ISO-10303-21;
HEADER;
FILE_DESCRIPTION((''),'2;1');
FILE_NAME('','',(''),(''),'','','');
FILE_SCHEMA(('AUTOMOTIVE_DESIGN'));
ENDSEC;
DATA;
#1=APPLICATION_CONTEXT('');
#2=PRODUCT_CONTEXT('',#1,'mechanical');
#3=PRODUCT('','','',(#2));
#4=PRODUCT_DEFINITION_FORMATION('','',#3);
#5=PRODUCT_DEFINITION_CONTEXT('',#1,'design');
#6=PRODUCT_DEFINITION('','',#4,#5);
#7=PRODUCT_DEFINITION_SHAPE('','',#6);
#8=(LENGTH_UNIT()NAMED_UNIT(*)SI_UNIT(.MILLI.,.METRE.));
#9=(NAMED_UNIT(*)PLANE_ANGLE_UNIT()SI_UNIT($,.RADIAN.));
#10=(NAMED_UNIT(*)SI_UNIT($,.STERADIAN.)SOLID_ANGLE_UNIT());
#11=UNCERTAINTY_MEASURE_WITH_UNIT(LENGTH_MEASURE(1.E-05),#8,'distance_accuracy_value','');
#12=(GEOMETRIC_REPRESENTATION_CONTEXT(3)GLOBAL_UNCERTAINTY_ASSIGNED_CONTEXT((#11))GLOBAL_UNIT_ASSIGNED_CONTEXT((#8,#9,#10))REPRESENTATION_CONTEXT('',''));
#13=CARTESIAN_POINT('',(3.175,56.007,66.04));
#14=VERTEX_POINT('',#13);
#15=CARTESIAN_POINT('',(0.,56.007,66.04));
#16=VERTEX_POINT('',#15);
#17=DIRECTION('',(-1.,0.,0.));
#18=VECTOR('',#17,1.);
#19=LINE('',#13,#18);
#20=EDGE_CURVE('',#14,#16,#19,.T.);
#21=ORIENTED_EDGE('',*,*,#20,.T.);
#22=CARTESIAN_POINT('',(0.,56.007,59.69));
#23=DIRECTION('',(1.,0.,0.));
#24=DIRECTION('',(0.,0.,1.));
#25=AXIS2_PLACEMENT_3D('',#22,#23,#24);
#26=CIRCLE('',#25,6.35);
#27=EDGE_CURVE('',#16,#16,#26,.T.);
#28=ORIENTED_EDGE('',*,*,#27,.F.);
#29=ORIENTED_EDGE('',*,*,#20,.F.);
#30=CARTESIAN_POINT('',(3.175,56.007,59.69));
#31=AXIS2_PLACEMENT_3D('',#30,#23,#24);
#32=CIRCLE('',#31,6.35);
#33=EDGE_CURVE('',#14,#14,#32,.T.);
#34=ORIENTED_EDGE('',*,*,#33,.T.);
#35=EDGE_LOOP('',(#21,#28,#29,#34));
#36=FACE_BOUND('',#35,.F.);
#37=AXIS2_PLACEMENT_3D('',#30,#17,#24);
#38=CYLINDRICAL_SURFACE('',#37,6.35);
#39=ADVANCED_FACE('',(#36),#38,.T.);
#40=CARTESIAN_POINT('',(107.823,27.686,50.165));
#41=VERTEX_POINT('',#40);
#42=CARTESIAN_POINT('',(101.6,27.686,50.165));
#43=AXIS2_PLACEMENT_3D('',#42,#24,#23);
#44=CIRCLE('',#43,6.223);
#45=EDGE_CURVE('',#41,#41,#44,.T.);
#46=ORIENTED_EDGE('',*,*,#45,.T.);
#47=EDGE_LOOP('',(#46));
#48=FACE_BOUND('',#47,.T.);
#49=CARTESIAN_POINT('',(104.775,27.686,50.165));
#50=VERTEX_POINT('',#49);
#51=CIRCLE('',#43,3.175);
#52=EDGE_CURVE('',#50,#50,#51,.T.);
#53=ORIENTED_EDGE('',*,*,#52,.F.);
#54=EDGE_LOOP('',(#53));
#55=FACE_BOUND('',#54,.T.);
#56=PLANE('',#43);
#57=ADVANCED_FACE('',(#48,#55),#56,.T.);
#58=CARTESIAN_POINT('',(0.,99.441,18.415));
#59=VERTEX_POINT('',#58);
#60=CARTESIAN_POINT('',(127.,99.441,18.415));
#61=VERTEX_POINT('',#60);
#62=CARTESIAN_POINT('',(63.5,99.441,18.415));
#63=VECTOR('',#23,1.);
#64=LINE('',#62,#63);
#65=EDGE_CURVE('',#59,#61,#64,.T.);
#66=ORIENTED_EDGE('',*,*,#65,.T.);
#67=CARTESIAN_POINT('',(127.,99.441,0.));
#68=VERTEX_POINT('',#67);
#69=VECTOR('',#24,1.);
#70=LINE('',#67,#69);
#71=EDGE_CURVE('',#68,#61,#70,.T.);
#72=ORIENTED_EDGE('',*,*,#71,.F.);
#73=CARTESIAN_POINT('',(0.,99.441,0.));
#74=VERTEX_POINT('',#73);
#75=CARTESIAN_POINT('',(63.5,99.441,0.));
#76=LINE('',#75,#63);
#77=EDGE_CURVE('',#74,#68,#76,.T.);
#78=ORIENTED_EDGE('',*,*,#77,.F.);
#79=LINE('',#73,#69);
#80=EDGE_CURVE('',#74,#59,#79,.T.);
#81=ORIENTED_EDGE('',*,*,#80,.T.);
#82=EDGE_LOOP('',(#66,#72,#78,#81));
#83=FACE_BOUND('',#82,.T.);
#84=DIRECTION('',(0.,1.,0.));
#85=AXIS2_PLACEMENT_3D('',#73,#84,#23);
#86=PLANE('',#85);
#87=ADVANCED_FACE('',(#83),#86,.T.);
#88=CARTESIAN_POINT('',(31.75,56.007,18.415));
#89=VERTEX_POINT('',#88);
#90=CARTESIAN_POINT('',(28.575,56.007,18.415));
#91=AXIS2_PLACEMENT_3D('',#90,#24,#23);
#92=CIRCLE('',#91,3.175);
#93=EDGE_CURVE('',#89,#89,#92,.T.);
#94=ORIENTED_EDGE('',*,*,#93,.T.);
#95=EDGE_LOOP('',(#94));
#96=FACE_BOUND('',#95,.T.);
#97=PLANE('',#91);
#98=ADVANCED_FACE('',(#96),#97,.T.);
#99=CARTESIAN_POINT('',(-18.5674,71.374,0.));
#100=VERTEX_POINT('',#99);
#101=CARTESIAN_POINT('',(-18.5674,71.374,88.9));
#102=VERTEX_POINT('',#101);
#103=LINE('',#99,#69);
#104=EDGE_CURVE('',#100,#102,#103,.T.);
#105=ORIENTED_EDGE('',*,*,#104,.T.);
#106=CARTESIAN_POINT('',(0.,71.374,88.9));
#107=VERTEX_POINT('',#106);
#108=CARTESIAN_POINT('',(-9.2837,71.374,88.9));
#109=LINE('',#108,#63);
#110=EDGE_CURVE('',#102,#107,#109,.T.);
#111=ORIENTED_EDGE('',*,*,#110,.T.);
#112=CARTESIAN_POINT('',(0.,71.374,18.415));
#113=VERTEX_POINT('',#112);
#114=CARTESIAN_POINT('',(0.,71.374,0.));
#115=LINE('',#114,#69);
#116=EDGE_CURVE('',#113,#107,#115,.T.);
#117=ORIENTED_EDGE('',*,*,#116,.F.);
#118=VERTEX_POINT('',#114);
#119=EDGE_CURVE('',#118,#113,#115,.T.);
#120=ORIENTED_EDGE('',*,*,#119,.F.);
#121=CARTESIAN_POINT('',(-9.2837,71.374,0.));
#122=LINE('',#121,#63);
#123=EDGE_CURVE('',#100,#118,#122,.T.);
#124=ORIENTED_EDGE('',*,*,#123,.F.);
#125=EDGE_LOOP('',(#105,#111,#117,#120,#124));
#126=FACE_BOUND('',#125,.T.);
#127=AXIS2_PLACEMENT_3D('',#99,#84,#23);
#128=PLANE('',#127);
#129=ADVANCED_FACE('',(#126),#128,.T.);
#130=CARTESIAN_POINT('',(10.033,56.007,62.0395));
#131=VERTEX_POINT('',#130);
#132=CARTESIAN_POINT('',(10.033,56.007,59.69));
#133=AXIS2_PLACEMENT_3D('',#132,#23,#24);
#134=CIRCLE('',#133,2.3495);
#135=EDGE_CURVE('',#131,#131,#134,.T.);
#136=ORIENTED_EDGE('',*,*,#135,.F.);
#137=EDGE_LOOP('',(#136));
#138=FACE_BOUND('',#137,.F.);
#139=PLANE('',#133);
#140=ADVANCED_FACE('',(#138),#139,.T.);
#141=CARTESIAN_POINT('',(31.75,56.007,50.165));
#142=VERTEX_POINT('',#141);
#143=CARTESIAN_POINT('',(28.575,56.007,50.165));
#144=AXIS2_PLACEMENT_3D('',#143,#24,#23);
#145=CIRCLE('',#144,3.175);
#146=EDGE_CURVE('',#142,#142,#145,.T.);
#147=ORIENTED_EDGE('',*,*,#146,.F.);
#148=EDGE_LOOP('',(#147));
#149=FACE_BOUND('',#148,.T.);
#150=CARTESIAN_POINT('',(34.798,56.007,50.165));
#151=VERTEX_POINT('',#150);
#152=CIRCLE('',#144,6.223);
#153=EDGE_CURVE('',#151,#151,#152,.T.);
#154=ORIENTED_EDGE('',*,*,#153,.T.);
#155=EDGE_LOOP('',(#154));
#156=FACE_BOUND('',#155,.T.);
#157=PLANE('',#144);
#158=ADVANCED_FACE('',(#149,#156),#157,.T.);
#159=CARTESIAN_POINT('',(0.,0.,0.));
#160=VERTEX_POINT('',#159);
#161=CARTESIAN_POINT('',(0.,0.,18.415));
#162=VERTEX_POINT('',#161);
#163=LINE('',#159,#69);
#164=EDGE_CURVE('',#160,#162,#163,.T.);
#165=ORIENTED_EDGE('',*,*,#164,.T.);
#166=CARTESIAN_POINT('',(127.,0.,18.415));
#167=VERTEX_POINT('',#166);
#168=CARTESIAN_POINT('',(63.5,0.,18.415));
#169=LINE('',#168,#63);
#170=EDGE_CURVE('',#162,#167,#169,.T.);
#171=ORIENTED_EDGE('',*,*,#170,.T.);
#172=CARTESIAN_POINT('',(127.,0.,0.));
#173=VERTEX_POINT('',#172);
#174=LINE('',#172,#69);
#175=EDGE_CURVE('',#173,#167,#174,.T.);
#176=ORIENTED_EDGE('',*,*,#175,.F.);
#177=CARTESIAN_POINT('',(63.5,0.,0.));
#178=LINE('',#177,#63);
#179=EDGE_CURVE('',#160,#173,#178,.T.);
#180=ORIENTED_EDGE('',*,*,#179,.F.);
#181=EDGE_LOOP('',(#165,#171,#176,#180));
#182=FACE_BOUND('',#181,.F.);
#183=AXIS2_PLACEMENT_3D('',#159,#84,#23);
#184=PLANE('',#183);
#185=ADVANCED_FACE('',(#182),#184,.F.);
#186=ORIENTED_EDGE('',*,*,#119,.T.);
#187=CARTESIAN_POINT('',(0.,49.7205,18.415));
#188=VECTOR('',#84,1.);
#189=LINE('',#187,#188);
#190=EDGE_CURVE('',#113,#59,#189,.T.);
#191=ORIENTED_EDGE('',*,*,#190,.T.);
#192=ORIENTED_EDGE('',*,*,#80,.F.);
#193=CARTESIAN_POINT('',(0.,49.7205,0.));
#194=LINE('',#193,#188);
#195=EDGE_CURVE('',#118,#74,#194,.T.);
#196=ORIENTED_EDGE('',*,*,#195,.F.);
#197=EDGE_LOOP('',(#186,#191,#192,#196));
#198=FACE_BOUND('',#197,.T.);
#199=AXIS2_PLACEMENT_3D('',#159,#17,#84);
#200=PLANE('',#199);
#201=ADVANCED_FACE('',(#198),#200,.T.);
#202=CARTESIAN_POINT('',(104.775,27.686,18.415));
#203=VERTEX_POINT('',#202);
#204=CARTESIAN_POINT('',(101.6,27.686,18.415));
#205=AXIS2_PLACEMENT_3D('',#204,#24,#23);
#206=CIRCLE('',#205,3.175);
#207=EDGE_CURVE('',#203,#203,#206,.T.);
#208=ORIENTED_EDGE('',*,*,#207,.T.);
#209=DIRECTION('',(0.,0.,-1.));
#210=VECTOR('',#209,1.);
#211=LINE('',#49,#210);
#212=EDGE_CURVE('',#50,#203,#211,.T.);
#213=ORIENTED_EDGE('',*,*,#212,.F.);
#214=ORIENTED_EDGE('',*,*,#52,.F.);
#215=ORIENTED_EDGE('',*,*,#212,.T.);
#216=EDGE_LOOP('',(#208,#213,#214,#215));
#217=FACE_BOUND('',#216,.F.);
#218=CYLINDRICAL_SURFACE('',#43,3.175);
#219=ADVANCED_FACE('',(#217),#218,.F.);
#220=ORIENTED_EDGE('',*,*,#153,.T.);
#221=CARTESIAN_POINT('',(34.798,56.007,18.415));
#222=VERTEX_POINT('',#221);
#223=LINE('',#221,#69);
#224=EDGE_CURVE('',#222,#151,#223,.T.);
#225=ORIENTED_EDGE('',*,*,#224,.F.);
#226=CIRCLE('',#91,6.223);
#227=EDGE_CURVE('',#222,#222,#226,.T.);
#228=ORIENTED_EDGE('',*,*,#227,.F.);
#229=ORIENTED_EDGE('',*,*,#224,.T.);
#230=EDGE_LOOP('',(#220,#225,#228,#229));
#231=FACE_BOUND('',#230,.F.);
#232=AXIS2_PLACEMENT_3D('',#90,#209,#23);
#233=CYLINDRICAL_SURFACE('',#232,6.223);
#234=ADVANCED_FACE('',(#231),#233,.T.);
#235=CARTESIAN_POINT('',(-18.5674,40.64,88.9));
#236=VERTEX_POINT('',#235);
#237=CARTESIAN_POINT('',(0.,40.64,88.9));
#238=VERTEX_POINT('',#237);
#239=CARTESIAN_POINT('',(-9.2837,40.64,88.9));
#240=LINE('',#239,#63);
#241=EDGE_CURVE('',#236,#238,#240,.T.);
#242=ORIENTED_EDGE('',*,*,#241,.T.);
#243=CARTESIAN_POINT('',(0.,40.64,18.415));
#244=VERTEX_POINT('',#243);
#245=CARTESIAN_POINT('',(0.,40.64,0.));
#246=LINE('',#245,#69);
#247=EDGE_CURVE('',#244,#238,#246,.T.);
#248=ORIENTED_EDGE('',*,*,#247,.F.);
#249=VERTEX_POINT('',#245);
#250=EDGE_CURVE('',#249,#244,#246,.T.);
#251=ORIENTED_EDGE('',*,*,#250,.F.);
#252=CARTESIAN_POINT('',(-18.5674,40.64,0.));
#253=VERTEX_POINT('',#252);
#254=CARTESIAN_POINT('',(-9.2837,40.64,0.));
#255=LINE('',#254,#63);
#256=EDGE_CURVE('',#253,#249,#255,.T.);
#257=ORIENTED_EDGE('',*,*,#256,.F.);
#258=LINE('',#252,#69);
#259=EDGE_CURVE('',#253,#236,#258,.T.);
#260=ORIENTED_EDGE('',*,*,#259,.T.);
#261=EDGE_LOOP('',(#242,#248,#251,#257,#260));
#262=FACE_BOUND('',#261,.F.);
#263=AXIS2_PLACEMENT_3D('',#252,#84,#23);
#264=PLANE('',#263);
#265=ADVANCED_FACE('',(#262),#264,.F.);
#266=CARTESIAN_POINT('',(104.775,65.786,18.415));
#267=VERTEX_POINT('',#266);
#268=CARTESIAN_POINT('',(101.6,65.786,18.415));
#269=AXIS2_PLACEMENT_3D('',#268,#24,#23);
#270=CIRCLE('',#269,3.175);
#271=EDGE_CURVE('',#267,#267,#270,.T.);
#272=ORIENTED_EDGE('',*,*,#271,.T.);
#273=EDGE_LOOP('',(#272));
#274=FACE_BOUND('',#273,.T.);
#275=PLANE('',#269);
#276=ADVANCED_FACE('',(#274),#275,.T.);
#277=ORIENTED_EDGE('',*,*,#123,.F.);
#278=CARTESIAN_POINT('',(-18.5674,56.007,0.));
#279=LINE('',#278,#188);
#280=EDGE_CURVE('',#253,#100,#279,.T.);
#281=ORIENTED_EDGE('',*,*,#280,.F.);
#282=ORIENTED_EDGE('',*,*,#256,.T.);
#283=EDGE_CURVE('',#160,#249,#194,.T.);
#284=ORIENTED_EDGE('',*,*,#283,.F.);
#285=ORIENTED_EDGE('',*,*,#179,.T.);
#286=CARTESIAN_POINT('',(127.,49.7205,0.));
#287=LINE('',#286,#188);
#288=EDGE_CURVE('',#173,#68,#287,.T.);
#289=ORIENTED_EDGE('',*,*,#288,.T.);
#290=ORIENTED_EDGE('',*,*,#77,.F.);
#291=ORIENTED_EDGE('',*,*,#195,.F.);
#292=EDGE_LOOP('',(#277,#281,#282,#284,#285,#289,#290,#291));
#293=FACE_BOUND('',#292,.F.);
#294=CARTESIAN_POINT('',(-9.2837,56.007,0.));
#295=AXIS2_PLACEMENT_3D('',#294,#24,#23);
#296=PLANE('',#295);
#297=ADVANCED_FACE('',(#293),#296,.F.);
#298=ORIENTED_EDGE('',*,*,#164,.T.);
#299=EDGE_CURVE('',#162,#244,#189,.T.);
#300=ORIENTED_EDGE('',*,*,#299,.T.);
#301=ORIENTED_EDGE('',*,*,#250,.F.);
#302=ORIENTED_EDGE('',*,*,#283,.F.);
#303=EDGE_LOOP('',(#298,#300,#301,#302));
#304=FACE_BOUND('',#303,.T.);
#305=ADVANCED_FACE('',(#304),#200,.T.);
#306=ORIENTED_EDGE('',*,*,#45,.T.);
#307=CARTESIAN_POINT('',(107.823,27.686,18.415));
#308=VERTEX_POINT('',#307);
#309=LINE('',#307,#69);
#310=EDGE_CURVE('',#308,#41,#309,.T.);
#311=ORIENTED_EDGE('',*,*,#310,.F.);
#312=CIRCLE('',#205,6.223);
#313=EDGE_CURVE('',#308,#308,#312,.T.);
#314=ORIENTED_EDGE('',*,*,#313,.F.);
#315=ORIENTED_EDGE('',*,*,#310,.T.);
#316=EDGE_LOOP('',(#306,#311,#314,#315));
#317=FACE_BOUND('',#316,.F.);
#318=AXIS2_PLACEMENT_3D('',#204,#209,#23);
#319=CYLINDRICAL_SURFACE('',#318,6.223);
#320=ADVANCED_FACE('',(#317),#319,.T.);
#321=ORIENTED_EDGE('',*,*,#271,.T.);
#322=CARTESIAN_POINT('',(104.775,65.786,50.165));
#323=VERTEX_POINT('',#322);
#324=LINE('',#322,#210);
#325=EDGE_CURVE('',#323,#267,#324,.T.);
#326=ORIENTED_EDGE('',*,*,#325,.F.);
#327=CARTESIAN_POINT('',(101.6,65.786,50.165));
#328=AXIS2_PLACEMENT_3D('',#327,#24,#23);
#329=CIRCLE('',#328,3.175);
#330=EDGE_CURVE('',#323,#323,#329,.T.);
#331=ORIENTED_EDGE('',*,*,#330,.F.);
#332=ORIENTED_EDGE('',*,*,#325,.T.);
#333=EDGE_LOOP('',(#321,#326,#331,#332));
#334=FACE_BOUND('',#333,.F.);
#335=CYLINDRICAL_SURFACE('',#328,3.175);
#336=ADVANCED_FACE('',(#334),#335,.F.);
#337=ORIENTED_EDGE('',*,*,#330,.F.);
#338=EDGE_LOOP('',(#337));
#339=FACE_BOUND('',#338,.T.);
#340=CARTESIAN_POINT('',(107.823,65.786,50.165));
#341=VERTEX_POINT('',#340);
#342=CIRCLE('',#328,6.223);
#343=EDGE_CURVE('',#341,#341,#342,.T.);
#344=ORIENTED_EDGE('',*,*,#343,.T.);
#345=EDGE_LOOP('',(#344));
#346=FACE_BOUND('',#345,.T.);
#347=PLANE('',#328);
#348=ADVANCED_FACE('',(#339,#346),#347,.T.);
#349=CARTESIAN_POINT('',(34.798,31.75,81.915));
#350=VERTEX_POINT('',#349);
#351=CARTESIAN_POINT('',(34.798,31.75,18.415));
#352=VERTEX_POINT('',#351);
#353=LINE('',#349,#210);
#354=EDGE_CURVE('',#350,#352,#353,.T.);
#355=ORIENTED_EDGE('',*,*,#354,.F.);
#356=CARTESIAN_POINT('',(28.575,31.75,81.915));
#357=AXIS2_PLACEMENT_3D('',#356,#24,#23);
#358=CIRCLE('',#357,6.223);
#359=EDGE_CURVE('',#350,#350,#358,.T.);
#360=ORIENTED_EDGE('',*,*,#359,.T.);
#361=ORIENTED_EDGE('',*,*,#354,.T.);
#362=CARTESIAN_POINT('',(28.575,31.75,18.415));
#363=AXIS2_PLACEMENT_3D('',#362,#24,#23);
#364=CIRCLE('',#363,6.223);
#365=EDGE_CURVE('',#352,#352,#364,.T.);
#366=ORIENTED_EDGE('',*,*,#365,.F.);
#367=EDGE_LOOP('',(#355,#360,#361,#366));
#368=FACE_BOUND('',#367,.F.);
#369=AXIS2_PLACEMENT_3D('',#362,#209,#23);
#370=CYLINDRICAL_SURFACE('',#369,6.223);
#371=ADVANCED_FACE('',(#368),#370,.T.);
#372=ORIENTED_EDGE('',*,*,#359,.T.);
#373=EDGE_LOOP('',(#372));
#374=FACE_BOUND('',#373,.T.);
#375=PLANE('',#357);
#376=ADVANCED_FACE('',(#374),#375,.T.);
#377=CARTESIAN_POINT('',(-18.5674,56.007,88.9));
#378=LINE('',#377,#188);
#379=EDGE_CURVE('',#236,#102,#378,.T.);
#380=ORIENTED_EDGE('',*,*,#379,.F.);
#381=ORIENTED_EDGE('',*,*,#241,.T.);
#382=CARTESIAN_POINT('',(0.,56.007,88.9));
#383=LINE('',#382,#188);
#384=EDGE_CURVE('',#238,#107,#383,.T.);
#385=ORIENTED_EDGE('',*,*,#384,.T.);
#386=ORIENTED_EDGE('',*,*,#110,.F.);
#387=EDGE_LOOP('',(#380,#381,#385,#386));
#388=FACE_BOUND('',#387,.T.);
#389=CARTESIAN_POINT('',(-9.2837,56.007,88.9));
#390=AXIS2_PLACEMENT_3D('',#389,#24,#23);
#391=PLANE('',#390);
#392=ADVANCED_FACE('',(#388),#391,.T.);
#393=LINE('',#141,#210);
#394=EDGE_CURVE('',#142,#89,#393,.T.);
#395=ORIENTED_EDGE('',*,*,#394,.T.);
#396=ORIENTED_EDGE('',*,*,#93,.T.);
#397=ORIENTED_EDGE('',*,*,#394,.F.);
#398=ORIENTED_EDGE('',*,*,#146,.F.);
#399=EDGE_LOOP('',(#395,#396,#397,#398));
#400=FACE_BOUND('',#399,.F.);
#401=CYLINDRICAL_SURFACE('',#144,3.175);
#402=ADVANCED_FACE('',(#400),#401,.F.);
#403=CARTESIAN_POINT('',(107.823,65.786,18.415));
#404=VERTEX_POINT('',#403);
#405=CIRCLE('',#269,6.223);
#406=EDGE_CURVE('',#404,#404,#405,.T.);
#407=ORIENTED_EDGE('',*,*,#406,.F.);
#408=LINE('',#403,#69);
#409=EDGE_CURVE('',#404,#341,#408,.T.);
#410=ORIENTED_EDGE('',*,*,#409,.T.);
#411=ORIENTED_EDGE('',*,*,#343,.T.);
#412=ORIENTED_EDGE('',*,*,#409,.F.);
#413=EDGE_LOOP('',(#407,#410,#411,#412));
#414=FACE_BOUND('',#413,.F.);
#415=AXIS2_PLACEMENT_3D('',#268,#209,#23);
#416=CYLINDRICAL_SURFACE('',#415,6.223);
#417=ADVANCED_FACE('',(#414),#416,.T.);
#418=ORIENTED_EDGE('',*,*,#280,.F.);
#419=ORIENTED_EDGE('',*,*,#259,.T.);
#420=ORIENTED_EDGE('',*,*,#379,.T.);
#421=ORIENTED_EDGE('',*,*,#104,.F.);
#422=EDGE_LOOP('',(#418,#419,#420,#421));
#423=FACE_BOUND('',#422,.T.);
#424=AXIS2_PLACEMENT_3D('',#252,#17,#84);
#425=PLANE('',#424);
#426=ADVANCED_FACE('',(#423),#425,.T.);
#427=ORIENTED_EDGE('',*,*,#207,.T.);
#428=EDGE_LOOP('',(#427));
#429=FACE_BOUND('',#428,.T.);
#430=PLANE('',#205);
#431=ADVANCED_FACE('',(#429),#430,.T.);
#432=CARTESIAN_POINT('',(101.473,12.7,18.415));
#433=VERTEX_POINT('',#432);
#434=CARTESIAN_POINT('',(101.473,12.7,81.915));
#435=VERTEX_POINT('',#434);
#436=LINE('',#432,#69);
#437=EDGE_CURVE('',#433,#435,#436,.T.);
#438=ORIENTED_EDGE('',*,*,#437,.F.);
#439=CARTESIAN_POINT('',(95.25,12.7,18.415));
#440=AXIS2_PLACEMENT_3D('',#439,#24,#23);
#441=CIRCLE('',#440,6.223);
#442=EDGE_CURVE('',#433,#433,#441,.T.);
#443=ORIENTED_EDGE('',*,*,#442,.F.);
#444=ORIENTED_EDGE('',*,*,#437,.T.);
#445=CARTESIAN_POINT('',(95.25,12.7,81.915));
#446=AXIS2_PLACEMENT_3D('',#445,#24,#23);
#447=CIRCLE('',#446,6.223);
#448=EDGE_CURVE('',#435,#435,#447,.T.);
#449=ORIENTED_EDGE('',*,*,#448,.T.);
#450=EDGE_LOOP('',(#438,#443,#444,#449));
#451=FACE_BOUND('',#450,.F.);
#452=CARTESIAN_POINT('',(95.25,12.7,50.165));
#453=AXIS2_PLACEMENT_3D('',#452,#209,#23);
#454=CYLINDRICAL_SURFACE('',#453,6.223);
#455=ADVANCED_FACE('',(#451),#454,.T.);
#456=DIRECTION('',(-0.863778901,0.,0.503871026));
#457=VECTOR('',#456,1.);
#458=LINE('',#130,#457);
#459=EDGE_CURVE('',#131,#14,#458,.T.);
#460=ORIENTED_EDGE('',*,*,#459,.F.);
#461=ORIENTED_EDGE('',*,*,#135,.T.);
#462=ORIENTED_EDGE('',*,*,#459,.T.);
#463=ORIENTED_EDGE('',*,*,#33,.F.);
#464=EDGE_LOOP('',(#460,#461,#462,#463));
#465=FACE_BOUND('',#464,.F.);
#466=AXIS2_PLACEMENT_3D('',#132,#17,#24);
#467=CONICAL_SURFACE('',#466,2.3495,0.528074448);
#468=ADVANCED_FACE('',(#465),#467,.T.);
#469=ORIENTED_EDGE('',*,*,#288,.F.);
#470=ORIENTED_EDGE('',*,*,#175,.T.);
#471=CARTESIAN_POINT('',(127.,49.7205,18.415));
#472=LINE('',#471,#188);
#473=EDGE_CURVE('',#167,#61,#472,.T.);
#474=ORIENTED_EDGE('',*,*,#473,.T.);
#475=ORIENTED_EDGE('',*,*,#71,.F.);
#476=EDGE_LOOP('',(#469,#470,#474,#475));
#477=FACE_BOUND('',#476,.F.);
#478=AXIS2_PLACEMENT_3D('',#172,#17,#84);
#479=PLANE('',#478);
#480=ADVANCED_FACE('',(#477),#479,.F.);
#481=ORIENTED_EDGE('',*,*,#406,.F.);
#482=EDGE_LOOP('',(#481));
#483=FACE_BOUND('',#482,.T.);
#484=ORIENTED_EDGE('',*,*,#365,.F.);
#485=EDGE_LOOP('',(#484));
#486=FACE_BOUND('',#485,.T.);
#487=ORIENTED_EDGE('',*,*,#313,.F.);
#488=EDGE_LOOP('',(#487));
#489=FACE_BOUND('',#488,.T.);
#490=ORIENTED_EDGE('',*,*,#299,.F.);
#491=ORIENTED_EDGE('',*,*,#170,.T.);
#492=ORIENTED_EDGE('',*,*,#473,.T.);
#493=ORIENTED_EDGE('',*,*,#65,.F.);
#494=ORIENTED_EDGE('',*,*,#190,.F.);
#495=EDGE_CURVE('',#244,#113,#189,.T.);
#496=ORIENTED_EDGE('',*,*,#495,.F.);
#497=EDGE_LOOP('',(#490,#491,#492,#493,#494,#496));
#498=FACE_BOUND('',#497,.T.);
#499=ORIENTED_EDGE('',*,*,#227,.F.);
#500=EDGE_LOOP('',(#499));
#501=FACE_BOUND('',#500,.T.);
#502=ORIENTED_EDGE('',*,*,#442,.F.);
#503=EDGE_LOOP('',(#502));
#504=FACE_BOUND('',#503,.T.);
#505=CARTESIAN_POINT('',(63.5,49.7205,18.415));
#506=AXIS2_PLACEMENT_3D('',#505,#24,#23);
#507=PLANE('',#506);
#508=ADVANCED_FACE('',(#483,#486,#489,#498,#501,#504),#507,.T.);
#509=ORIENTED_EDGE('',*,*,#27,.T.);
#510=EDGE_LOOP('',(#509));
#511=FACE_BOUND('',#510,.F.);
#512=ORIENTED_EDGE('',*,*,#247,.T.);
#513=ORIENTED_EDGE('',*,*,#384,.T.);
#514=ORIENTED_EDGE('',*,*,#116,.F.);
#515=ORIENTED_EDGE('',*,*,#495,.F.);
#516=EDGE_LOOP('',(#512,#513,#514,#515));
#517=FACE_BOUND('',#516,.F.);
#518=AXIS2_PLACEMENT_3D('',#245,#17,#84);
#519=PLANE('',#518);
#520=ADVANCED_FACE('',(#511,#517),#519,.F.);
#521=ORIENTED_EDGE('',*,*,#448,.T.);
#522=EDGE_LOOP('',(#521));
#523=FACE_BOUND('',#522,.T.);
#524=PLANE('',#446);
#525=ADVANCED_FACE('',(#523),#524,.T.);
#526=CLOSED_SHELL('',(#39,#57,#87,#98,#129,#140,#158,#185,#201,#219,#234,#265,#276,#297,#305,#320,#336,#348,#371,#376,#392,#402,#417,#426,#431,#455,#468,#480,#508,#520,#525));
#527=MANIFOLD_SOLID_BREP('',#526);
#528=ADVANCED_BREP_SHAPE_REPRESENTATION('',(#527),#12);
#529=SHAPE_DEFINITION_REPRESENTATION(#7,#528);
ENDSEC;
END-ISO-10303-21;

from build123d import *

# Parameters (mm, degrees)
F0_W      = 127
F0_H      = 99.441
F1_DEPTH  = 18.415
F2_W      = 18.5674
F2_H      = 30.734
F3_DEPTH  = 88.9
F7_R      = 6.223
F8_DEPTH  = 31.75
F10_R     = 6.223
F11_DEPTH = 31.75
F9_R      = 3.175
F12_DEPTH = 31.75


with BuildPart() as f1:
    # F0 (on Top) → F1 (new body)
    with BuildSketch(Plane.XY):
        with Locations((63.5, 49.7205)):
            Rectangle(F0_W, F0_H)
    extrude(amount=F1_DEPTH)

    # F2 (on Top) → F3 (join)
    with BuildSketch(Plane.XY):
        with Locations((-9.2837, 56.007)):
            Rectangle(F2_W, F2_H)
    extrude(amount=F3_DEPTH)

    # F5 (on offset) → F6 (revolve)
    with BuildSketch(Plane.XZ.offset(-56.007)):
        Polygon((0, 66.04), (0, 59.69), (10.033, 59.69), (10.033, 62.0395), (3.175, 66.04), align=None)
    revolve(axis=Axis((5.0165, 56.007, 59.69), (1, 0, 0)))

    # F7 (on face) → F8 (join)
    with BuildSketch(Plane.XY.offset(18.415)):
        with Locations((95.25, 12.7)):
            Circle(F7_R)
        with Locations((101.6, 27.686)):
            Circle(F7_R)
        with Locations((101.6, 65.786)):
            Circle(F7_R)
        with Locations((28.575, 56.007)):
            Circle(F7_R)
        with Locations((28.575, 31.75)):
            Circle(F7_R)
    extrude(amount=F8_DEPTH)

    # F10 (on face) → F11 (join)
    with BuildSketch(Plane.XY.offset(50.165)):
        with Locations((95.25, 12.7)):
            Circle(F10_R)
        with Locations((28.575, 31.75)):
            Circle(F10_R)
    extrude(amount=F11_DEPTH)

    # F9 (on face) → F12 (cut)
    with BuildSketch(Plane.XY.offset(50.165)):
        with Locations((28.575, 56.007)):
            Circle(F9_R)
        with Locations((101.6, 65.786)):
            Circle(F9_R)
        with Locations((101.6, 27.686)):
            Circle(F9_R)
    extrude(amount=-F12_DEPTH, mode=Mode.SUBTRACT)


solid = f1.part
